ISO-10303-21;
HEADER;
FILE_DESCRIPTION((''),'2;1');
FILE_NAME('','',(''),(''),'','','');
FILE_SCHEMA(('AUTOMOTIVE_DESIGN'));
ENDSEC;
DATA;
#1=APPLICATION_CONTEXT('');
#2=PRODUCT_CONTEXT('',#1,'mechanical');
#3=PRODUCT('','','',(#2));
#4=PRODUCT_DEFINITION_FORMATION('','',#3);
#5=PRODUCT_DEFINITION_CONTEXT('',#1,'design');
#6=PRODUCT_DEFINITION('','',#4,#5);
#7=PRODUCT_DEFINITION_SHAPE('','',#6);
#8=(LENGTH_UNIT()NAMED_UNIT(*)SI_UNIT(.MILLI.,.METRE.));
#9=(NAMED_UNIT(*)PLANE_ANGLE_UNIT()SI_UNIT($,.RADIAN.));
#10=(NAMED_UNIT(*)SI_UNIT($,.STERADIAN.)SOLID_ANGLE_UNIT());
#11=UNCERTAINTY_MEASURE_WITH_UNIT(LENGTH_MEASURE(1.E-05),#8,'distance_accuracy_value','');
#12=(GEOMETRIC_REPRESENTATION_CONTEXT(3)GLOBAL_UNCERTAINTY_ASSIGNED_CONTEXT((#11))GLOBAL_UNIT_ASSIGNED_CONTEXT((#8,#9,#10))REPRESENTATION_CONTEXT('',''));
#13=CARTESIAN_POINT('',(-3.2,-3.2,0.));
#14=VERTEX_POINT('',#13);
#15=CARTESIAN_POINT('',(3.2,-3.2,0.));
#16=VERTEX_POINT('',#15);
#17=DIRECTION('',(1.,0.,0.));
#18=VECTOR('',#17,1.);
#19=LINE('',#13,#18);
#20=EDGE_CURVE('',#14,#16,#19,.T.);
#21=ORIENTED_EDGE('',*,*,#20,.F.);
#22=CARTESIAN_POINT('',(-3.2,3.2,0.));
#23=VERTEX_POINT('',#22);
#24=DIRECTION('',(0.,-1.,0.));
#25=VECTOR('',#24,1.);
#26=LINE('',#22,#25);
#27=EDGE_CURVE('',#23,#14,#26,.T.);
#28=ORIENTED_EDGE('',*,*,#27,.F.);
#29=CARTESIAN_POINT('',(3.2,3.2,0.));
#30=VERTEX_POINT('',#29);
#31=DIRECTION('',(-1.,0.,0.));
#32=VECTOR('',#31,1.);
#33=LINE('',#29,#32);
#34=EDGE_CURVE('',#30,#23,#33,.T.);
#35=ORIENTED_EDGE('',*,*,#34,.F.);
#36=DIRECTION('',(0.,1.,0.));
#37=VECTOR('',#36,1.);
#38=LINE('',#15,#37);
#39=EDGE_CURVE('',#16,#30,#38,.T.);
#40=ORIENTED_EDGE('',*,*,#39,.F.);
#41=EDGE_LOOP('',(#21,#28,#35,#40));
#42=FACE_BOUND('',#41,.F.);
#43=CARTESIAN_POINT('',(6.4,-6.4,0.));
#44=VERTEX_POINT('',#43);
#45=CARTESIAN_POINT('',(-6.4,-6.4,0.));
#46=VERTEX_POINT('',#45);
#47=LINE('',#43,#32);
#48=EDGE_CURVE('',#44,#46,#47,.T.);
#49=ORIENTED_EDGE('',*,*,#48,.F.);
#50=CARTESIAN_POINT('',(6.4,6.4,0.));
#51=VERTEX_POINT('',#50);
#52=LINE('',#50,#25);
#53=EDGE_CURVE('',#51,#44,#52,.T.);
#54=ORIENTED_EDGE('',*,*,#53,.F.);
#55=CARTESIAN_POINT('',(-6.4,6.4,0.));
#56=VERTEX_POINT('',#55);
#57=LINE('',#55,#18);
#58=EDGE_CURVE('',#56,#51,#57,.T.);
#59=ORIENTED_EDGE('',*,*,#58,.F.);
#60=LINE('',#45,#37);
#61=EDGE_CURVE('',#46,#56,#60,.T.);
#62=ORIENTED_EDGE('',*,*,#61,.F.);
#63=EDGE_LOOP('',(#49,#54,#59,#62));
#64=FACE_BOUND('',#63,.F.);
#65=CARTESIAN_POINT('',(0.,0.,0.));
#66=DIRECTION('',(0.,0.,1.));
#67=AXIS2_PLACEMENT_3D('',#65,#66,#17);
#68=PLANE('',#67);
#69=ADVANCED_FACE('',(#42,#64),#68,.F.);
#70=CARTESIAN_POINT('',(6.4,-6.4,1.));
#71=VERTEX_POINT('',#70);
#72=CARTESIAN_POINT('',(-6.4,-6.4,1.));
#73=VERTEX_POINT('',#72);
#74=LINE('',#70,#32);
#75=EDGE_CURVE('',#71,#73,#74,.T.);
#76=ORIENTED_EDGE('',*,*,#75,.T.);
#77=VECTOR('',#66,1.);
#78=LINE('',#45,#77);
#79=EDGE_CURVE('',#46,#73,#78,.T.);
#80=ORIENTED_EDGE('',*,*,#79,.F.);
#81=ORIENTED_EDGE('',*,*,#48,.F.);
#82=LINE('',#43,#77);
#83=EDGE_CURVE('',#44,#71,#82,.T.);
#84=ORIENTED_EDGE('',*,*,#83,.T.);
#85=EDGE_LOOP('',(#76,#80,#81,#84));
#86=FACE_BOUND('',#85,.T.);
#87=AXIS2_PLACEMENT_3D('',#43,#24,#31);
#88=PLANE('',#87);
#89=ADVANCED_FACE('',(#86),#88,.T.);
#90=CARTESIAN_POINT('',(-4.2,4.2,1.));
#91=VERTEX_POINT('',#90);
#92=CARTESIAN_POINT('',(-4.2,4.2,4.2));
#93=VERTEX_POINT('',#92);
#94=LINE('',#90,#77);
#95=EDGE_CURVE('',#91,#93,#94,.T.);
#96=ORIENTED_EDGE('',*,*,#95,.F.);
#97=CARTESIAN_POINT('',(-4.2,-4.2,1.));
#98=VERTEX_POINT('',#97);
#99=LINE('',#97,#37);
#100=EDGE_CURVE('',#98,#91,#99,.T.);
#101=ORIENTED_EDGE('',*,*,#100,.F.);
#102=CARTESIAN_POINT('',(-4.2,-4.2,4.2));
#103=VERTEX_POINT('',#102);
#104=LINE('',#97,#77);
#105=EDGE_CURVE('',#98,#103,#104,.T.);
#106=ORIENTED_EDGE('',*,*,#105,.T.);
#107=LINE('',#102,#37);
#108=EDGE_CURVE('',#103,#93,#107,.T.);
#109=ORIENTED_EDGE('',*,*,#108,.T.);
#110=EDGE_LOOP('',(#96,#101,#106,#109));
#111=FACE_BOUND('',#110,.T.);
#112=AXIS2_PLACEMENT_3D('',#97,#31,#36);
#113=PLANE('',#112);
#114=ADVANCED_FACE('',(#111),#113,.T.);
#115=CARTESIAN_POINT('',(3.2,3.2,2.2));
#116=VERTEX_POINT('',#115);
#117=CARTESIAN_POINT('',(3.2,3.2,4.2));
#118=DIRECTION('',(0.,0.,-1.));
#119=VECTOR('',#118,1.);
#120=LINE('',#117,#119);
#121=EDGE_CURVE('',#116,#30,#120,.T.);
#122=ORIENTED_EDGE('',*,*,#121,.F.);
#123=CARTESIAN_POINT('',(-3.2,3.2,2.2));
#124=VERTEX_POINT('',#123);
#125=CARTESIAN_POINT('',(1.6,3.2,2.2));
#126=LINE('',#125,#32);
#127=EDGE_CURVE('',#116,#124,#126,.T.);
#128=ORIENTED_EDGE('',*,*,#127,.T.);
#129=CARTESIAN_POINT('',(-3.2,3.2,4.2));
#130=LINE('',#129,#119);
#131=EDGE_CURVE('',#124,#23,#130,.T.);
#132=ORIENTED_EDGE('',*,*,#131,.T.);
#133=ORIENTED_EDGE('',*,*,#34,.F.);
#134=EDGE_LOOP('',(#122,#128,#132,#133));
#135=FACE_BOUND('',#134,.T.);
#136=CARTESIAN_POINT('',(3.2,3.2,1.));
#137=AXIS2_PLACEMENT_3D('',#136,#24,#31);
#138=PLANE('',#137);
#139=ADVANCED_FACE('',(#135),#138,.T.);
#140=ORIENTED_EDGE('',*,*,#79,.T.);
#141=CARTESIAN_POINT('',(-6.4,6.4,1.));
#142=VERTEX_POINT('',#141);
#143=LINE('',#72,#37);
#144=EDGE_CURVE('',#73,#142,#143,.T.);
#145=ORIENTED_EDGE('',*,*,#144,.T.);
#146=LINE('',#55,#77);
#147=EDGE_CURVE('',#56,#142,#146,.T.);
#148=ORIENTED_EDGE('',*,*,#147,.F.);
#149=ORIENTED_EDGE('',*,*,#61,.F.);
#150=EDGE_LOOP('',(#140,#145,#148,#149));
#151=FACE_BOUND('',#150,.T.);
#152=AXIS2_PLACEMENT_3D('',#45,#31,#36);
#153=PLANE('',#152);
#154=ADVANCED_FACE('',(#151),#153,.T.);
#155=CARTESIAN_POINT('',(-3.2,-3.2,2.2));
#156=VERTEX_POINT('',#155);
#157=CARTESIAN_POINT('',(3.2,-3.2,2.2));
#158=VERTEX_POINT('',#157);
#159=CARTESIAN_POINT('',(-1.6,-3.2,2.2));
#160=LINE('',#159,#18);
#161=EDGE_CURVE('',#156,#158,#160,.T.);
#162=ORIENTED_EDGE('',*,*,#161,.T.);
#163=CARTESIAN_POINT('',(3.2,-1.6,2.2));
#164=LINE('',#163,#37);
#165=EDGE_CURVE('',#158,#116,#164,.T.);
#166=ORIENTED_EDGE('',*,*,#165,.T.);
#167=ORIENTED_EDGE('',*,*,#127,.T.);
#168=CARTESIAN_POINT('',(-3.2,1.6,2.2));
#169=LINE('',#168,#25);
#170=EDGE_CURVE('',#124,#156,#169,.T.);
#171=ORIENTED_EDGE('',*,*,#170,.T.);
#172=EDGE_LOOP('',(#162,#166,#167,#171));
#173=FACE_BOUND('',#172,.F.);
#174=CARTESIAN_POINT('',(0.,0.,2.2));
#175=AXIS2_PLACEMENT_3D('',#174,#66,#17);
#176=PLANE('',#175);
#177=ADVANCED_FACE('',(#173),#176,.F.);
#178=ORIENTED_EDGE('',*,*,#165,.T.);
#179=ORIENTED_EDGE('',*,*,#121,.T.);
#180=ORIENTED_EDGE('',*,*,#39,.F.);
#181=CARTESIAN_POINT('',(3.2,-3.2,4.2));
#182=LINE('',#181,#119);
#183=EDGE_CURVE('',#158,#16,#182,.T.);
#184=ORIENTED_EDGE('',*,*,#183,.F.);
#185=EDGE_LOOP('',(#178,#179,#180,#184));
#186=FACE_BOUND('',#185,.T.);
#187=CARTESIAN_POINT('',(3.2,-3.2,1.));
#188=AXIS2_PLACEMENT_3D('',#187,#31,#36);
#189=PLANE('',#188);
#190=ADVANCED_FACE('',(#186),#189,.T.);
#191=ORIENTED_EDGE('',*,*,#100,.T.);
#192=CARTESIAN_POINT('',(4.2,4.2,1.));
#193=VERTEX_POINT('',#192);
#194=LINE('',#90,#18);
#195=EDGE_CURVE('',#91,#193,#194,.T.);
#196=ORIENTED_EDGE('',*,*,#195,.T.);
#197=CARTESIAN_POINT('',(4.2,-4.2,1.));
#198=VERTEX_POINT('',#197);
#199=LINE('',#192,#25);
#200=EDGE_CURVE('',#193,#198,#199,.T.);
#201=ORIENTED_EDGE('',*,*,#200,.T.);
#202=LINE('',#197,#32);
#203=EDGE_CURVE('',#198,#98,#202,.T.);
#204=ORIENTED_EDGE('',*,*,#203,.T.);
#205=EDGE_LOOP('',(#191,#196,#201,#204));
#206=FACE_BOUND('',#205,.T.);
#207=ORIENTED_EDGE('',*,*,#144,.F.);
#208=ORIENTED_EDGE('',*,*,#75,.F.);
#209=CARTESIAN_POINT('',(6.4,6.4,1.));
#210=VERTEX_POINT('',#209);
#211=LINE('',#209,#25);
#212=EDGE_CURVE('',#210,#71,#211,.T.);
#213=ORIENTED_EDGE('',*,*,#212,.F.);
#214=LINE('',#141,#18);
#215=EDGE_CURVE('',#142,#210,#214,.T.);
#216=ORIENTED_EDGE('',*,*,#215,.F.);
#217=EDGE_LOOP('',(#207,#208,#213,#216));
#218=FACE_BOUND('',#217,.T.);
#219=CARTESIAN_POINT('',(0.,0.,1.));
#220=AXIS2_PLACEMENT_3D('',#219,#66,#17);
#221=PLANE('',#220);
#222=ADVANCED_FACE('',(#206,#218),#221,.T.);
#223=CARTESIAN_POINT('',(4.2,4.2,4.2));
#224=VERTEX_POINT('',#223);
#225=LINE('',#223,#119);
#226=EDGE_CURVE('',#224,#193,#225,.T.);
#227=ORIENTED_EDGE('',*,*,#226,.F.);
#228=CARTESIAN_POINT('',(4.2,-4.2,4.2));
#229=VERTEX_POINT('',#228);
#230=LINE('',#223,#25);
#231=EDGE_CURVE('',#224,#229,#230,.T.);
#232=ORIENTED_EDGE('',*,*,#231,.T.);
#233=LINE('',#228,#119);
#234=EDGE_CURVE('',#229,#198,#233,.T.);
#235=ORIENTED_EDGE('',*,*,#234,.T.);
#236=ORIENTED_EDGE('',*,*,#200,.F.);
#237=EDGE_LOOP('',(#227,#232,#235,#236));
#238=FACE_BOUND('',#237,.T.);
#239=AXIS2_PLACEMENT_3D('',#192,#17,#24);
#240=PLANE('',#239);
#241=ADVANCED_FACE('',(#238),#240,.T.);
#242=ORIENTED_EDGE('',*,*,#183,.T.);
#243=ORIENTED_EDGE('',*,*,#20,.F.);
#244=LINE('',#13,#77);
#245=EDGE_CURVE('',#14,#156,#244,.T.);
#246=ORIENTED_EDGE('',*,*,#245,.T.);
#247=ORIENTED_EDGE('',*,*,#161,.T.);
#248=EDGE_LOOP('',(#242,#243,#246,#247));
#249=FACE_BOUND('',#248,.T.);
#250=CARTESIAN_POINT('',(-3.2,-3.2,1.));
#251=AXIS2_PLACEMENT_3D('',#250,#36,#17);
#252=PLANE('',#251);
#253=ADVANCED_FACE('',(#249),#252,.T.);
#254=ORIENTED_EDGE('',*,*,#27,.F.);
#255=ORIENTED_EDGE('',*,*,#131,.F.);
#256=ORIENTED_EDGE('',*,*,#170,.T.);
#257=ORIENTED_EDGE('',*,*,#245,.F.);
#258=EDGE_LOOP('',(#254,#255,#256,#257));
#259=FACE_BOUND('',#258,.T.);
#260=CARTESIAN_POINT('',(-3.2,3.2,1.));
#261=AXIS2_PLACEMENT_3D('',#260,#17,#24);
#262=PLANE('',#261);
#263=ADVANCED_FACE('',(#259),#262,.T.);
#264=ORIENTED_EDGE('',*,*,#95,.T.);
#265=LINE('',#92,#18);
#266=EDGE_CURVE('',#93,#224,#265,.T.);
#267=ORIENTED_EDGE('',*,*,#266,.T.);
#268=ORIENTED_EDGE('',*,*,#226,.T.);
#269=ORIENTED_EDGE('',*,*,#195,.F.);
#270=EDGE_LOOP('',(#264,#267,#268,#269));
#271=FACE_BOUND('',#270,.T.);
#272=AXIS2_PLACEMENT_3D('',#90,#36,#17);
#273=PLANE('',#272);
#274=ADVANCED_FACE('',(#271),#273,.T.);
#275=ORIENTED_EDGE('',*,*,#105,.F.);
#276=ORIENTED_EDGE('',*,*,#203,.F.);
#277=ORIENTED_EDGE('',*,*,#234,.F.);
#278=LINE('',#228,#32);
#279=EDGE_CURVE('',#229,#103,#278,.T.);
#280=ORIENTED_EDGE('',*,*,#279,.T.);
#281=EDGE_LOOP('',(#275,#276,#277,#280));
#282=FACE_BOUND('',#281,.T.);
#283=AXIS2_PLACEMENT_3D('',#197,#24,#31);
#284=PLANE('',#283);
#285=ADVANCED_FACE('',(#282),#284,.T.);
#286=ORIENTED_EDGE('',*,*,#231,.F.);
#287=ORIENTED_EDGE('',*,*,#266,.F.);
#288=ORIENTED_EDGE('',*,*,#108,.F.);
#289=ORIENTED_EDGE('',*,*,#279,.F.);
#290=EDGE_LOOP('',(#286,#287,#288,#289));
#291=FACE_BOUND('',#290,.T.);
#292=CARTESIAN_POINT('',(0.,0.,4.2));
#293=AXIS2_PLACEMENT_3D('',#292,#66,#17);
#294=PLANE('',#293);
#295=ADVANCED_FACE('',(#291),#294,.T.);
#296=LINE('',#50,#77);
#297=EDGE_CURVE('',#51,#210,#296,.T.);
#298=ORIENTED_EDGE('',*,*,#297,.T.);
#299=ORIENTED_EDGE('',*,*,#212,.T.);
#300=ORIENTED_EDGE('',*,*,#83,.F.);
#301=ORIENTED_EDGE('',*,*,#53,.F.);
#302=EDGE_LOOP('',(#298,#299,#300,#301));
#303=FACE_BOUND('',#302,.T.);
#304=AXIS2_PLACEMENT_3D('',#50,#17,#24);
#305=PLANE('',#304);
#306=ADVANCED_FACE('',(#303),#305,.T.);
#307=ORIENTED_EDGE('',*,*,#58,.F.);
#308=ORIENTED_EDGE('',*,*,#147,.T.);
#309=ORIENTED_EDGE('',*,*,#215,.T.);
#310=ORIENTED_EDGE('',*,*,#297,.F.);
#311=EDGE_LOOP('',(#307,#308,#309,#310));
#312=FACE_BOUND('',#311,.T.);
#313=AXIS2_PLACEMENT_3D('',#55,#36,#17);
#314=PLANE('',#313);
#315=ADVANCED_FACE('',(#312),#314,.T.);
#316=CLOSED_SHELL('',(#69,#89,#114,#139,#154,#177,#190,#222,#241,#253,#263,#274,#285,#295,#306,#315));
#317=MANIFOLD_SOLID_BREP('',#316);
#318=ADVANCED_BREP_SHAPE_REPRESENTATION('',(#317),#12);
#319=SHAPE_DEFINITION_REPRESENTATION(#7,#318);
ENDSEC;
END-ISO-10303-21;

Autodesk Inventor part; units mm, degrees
ref_plane "YZ Plane" through (0, 0, 0) normal (1, 0, 0) x (0, 1, 0)
ref_plane "XZ Plane" through (0, 0, 0) normal (0, 1, 0) x (-1, 0, 0)
ref_plane "XY Plane" through (0, 0, 0) normal (0, 0, 1) x (1, 0, 0)
sketch "Sketch1" plane through (0, 0, 0) normal (0, 0, 1) x (1, 0, 0)
  line L0 (-3.2, -3.2) -> (3.2, -3.2)
  line L1 (3.2, -3.2) -> (3.2, 3.2)
  line L2 (3.2, 3.2) -> (-3.2, 3.2)
  line L3 (-3.2, 3.2) -> (-3.2, -3.2)
  line L4 (-3.2, -3.2) -> (3.2, 3.2) construction
  line L5 (3.2, -3.2) -> (-3.2, 3.2) construction
  line L6 (-4.2, 4.2) -> (4.2, 4.2)
  line L7 (4.2, 4.2) -> (4.2, -4.2)
  line L8 (4.2, -4.2) -> (-4.2, -4.2)
  line L9 (-4.2, -4.2) -> (-4.2, 4.2)
  line L10 (-4.2, 4.2) -> (4.2, -4.2) construction
  line L11 (4.2, 4.2) -> (-4.2, -4.2) construction
  line L12 (6.4, -6.4) -> (-6.4, -6.4)
  line L13 (-6.4, -6.4) -> (-6.4, 6.4)
  line L14 (-6.4, 6.4) -> (6.4, 6.4)
  line L15 (6.4, 6.4) -> (6.4, -6.4)
  line L16 (6.4, -6.4) -> (-6.4, 6.4) construction
  line L17 (-6.4, -6.4) -> (6.4, 6.4) construction
  point P0 (0, 0)
  dimension "d0" = 6.4
  dimension "d1" = 6.4
  dimension "d2" = 8.4
  dimension "d3" = 8.4
  dimension "d4" = 12.8
extrude "Extrusion1" add sketch "Sketch1" along normal blind 1 contours L6 L7 L8 L9 | L12 L13 L14 L15
extrude "Extrusion2" add sketch "Sketch1" along normal blind 3.2 from surface at 1 contours L6 L7 L8 L9
extrude "Extrusion3" add sketch "Sketch1" against normal blind 2 from surface at 4.2 contours L3 L2 L1 L0 | L6 L7 L8 L9
properties part number "reset button cover"
